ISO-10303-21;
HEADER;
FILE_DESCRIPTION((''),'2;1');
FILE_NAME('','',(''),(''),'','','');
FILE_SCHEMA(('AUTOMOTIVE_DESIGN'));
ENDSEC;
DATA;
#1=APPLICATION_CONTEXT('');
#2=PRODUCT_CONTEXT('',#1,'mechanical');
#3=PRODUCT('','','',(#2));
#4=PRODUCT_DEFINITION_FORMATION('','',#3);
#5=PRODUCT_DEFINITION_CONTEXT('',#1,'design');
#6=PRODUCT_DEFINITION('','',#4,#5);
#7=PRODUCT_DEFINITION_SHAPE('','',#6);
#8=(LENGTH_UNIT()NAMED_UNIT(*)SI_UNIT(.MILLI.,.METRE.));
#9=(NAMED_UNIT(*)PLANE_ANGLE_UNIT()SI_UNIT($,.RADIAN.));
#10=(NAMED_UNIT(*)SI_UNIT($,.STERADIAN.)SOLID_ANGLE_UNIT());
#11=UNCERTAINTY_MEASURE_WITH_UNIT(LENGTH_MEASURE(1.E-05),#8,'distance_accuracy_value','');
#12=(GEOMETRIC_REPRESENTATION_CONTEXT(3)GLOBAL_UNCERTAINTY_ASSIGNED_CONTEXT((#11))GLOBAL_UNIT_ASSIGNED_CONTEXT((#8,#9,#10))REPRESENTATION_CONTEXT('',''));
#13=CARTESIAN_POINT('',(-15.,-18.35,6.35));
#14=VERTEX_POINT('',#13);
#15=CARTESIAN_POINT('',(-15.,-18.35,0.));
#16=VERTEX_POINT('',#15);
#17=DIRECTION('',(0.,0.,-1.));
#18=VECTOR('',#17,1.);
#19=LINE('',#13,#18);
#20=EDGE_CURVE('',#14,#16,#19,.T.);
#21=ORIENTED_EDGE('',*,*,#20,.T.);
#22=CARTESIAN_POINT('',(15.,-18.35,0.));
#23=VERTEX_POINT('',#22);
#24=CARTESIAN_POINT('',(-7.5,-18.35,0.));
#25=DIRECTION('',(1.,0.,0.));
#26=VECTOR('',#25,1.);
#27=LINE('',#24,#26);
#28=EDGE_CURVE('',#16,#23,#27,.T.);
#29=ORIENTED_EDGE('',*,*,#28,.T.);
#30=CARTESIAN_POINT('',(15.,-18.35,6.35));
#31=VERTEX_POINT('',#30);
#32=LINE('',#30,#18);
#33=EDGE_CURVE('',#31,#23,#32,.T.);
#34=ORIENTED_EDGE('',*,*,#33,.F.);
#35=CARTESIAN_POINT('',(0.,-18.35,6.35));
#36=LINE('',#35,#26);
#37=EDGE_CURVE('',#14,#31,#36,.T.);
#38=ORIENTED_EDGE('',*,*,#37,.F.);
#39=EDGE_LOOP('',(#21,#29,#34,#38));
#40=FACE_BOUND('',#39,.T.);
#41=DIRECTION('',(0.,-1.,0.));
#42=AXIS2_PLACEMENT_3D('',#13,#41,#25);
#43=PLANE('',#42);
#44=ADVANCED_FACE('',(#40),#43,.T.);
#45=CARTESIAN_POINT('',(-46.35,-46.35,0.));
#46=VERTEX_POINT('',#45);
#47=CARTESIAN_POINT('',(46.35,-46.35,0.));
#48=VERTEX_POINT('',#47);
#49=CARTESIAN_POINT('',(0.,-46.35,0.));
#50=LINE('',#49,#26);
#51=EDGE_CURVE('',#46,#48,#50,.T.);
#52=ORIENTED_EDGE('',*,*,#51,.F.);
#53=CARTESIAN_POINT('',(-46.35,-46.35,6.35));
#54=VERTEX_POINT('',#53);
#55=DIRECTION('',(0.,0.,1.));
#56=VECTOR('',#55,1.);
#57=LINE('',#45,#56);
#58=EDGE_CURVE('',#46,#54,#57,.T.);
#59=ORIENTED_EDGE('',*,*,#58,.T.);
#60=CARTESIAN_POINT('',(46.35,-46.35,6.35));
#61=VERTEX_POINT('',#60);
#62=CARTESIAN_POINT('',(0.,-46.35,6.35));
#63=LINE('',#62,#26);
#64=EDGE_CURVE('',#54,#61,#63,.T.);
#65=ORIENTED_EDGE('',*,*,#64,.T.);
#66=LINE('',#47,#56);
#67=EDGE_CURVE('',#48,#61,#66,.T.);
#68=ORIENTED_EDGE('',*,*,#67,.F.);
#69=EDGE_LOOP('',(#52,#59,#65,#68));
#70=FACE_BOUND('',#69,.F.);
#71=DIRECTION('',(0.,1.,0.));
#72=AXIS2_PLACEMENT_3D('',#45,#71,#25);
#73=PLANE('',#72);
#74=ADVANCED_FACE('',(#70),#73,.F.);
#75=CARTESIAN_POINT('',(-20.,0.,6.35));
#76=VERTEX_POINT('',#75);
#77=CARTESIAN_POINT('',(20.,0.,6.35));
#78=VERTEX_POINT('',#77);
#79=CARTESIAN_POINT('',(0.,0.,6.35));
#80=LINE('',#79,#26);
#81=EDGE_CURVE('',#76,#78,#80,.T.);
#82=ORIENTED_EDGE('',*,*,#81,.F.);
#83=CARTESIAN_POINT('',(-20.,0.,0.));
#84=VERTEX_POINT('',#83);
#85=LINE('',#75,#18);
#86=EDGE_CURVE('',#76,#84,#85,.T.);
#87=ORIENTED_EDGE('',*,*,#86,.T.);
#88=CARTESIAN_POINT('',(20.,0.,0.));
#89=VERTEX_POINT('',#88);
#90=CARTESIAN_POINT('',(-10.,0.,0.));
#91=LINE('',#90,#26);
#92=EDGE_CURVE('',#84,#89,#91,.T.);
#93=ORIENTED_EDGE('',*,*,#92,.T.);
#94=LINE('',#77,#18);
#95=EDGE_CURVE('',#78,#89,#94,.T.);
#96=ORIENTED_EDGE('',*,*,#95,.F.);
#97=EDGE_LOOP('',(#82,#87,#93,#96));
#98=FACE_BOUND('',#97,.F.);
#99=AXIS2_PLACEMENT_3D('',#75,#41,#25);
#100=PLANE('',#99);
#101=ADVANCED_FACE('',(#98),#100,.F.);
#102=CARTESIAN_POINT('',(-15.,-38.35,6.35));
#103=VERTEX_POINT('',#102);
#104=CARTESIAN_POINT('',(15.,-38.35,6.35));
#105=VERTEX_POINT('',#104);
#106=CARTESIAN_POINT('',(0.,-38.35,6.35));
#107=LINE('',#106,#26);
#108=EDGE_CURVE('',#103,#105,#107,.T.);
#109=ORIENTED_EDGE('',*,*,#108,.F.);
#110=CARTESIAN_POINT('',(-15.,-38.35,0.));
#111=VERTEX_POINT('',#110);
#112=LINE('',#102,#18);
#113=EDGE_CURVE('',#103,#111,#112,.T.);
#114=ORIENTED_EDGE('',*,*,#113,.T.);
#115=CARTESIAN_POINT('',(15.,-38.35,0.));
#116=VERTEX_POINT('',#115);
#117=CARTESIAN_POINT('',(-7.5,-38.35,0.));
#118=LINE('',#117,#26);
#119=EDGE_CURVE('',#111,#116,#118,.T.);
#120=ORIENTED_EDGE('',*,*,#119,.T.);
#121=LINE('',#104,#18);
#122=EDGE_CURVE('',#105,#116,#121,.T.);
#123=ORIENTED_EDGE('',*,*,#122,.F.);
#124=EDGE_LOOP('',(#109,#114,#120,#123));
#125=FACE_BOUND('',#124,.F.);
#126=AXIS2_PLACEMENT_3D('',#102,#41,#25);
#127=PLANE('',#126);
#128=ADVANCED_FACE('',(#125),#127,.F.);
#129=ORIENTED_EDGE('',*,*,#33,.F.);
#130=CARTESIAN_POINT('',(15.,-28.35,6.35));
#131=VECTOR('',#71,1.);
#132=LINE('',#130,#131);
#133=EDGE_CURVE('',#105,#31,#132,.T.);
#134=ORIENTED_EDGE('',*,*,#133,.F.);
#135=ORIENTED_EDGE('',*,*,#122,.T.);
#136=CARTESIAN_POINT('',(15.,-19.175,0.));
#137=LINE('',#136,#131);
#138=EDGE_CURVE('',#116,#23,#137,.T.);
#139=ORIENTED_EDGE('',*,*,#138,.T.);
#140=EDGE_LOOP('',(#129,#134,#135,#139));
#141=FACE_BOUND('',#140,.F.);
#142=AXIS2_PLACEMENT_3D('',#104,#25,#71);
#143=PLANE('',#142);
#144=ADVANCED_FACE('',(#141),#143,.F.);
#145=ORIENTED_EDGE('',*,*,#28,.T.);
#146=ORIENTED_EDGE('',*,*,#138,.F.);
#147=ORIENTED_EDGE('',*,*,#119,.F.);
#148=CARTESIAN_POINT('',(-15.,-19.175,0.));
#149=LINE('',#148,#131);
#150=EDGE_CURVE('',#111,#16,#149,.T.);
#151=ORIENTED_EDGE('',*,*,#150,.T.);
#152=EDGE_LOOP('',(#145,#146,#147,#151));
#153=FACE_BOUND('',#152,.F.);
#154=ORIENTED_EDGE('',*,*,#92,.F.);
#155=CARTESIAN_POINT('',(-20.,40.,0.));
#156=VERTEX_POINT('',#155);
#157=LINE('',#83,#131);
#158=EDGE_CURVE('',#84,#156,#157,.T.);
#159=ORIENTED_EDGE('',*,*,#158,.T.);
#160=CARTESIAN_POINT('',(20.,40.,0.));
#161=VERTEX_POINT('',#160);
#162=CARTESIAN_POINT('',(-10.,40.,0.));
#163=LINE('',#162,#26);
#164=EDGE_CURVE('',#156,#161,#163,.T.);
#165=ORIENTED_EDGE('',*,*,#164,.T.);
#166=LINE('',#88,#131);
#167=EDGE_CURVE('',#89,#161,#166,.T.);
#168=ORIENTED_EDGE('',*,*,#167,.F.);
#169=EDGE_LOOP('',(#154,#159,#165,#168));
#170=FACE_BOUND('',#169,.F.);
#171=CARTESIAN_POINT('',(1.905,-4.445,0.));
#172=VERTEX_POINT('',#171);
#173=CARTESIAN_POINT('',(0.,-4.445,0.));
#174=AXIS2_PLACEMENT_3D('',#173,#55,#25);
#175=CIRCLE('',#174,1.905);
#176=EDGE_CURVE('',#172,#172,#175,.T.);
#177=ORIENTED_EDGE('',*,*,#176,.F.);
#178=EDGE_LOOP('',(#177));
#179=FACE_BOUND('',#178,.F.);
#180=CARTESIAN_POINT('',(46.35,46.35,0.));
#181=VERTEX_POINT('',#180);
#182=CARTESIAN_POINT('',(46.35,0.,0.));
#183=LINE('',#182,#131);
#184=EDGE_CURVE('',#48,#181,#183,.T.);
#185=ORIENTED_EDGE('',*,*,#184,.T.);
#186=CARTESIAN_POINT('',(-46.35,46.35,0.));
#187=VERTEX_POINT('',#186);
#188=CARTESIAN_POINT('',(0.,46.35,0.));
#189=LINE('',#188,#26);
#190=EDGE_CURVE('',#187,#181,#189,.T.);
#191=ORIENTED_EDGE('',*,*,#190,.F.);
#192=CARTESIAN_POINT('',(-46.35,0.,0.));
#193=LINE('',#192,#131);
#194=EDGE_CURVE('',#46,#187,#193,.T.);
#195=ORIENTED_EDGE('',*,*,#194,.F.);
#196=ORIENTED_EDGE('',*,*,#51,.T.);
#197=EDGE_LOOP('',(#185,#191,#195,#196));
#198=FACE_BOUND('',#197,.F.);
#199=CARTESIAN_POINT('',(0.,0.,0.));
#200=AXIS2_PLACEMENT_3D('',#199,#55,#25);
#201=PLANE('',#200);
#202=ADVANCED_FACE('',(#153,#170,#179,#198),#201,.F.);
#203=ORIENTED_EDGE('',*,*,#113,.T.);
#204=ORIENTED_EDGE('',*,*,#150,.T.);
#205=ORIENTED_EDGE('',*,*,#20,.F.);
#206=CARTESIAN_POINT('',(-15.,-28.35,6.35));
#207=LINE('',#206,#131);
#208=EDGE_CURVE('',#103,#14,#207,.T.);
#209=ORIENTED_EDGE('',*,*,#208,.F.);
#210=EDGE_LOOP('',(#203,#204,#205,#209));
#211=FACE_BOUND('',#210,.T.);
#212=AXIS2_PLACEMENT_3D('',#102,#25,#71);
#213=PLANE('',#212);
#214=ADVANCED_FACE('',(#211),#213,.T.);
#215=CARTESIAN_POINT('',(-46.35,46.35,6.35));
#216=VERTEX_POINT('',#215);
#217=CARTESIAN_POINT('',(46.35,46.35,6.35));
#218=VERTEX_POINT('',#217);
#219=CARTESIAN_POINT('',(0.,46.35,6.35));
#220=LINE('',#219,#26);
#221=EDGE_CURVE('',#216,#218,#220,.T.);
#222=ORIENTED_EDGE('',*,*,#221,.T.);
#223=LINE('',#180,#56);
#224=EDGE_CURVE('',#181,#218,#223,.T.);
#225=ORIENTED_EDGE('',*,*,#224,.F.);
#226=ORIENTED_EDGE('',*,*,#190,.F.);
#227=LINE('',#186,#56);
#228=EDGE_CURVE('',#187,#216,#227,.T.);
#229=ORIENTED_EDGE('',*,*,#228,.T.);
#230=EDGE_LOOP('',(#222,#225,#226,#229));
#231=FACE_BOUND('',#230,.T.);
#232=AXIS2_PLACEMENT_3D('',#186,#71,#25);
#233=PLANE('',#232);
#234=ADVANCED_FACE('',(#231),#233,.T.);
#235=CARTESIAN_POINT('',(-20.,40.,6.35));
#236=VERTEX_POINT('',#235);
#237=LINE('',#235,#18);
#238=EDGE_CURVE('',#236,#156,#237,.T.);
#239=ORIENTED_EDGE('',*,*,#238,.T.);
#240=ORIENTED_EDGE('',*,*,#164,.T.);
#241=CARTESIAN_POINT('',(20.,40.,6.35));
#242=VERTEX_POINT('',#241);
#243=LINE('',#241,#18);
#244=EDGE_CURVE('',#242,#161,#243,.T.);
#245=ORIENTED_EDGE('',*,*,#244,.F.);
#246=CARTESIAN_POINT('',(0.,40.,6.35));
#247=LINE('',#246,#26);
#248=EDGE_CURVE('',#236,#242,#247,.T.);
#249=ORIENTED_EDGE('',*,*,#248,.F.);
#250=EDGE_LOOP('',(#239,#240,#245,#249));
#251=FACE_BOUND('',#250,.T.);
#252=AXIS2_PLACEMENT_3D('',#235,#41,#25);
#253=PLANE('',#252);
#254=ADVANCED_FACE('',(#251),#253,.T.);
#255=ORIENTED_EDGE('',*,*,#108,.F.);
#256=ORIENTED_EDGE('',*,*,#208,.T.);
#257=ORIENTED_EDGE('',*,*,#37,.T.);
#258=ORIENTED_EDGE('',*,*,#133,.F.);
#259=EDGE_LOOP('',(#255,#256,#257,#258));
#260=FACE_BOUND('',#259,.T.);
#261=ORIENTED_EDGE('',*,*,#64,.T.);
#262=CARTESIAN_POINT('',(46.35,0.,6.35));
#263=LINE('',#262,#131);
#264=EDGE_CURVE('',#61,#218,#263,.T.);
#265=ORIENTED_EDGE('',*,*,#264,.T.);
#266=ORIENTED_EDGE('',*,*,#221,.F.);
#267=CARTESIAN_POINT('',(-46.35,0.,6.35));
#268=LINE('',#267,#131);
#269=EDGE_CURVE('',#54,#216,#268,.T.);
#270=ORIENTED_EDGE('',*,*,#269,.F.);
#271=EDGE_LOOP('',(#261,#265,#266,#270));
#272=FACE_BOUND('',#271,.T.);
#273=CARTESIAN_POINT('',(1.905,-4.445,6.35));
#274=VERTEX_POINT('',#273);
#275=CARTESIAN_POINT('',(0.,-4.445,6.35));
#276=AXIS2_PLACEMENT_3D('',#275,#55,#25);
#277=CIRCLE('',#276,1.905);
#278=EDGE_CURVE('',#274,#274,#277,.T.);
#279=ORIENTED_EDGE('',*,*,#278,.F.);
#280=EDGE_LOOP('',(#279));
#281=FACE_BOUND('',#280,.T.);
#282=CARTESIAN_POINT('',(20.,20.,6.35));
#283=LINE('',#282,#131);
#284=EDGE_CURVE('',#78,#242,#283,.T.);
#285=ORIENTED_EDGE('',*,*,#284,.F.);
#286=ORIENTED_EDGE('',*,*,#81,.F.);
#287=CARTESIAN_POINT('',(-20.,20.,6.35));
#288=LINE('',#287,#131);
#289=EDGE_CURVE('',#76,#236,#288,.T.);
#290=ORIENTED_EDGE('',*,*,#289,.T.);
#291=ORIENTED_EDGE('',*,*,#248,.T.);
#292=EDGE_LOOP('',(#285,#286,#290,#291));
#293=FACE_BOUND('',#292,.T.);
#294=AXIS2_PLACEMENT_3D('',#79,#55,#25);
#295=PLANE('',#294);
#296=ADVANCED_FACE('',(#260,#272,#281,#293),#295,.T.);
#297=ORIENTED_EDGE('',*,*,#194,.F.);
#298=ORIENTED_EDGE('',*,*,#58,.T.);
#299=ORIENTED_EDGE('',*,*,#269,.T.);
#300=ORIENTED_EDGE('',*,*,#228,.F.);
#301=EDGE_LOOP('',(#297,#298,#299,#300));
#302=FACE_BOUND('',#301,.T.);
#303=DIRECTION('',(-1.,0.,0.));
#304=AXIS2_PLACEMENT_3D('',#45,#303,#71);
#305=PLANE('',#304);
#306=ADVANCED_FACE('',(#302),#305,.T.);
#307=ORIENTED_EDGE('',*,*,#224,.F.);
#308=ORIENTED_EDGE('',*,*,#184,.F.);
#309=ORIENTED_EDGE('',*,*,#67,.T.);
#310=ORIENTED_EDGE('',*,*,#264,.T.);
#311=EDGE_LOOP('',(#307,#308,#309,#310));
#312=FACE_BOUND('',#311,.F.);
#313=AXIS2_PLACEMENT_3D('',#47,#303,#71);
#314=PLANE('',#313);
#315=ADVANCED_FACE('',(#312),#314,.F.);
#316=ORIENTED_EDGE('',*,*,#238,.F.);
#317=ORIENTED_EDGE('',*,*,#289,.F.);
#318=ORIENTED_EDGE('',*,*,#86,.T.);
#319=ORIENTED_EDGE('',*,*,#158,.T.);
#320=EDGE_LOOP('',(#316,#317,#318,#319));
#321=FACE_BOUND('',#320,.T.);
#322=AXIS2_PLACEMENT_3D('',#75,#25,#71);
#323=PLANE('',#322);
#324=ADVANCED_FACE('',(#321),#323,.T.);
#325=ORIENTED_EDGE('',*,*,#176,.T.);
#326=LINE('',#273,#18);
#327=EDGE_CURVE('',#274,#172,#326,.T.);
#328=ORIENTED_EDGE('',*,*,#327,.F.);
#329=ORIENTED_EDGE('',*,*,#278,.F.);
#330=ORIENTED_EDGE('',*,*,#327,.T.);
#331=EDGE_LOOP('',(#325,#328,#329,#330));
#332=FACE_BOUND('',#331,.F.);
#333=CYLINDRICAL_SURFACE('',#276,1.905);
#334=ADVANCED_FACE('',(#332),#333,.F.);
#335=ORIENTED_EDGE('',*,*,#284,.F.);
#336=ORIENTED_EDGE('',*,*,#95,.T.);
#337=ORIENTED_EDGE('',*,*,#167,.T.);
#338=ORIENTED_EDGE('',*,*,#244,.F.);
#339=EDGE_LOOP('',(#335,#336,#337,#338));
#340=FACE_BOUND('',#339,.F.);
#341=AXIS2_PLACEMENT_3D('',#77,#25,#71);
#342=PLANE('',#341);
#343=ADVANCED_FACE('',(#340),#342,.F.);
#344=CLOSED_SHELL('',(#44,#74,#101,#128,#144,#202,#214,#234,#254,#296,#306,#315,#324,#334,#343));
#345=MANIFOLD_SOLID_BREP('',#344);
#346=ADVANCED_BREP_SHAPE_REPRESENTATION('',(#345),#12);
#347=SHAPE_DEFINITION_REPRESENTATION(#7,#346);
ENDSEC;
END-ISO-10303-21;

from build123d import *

# Parameters (mm, degrees)
F0_W     = 92.7
F0_H     = 92.7
F1_DEPTH = 6.35
F2_W     = 30
F2_H     = 20
F2_W_2   = 40
F2_H_2   = 40
F2_R     = 1.905
F3_DEPTH = 6.351


with BuildPart() as f1:
    # F0 (on Top) → F1 (new body)
    with BuildSketch(Plane.XY):
        Rectangle(F0_W, F0_H)
    extrude(amount=F1_DEPTH)

    # F2 (on face) → F3 (cut, through all)
    with BuildSketch(Plane.XY.offset(6.35)):
        with Locations((0, -28.35)):
            Rectangle(F2_W, F2_H)
        with Locations((0, 20)):
            Rectangle(F2_W_2, F2_H_2)
        with Locations((0, -4.445)):
            Circle(F2_R)
    extrude(amount=-F3_DEPTH, mode=Mode.SUBTRACT)


solid = f1.part
